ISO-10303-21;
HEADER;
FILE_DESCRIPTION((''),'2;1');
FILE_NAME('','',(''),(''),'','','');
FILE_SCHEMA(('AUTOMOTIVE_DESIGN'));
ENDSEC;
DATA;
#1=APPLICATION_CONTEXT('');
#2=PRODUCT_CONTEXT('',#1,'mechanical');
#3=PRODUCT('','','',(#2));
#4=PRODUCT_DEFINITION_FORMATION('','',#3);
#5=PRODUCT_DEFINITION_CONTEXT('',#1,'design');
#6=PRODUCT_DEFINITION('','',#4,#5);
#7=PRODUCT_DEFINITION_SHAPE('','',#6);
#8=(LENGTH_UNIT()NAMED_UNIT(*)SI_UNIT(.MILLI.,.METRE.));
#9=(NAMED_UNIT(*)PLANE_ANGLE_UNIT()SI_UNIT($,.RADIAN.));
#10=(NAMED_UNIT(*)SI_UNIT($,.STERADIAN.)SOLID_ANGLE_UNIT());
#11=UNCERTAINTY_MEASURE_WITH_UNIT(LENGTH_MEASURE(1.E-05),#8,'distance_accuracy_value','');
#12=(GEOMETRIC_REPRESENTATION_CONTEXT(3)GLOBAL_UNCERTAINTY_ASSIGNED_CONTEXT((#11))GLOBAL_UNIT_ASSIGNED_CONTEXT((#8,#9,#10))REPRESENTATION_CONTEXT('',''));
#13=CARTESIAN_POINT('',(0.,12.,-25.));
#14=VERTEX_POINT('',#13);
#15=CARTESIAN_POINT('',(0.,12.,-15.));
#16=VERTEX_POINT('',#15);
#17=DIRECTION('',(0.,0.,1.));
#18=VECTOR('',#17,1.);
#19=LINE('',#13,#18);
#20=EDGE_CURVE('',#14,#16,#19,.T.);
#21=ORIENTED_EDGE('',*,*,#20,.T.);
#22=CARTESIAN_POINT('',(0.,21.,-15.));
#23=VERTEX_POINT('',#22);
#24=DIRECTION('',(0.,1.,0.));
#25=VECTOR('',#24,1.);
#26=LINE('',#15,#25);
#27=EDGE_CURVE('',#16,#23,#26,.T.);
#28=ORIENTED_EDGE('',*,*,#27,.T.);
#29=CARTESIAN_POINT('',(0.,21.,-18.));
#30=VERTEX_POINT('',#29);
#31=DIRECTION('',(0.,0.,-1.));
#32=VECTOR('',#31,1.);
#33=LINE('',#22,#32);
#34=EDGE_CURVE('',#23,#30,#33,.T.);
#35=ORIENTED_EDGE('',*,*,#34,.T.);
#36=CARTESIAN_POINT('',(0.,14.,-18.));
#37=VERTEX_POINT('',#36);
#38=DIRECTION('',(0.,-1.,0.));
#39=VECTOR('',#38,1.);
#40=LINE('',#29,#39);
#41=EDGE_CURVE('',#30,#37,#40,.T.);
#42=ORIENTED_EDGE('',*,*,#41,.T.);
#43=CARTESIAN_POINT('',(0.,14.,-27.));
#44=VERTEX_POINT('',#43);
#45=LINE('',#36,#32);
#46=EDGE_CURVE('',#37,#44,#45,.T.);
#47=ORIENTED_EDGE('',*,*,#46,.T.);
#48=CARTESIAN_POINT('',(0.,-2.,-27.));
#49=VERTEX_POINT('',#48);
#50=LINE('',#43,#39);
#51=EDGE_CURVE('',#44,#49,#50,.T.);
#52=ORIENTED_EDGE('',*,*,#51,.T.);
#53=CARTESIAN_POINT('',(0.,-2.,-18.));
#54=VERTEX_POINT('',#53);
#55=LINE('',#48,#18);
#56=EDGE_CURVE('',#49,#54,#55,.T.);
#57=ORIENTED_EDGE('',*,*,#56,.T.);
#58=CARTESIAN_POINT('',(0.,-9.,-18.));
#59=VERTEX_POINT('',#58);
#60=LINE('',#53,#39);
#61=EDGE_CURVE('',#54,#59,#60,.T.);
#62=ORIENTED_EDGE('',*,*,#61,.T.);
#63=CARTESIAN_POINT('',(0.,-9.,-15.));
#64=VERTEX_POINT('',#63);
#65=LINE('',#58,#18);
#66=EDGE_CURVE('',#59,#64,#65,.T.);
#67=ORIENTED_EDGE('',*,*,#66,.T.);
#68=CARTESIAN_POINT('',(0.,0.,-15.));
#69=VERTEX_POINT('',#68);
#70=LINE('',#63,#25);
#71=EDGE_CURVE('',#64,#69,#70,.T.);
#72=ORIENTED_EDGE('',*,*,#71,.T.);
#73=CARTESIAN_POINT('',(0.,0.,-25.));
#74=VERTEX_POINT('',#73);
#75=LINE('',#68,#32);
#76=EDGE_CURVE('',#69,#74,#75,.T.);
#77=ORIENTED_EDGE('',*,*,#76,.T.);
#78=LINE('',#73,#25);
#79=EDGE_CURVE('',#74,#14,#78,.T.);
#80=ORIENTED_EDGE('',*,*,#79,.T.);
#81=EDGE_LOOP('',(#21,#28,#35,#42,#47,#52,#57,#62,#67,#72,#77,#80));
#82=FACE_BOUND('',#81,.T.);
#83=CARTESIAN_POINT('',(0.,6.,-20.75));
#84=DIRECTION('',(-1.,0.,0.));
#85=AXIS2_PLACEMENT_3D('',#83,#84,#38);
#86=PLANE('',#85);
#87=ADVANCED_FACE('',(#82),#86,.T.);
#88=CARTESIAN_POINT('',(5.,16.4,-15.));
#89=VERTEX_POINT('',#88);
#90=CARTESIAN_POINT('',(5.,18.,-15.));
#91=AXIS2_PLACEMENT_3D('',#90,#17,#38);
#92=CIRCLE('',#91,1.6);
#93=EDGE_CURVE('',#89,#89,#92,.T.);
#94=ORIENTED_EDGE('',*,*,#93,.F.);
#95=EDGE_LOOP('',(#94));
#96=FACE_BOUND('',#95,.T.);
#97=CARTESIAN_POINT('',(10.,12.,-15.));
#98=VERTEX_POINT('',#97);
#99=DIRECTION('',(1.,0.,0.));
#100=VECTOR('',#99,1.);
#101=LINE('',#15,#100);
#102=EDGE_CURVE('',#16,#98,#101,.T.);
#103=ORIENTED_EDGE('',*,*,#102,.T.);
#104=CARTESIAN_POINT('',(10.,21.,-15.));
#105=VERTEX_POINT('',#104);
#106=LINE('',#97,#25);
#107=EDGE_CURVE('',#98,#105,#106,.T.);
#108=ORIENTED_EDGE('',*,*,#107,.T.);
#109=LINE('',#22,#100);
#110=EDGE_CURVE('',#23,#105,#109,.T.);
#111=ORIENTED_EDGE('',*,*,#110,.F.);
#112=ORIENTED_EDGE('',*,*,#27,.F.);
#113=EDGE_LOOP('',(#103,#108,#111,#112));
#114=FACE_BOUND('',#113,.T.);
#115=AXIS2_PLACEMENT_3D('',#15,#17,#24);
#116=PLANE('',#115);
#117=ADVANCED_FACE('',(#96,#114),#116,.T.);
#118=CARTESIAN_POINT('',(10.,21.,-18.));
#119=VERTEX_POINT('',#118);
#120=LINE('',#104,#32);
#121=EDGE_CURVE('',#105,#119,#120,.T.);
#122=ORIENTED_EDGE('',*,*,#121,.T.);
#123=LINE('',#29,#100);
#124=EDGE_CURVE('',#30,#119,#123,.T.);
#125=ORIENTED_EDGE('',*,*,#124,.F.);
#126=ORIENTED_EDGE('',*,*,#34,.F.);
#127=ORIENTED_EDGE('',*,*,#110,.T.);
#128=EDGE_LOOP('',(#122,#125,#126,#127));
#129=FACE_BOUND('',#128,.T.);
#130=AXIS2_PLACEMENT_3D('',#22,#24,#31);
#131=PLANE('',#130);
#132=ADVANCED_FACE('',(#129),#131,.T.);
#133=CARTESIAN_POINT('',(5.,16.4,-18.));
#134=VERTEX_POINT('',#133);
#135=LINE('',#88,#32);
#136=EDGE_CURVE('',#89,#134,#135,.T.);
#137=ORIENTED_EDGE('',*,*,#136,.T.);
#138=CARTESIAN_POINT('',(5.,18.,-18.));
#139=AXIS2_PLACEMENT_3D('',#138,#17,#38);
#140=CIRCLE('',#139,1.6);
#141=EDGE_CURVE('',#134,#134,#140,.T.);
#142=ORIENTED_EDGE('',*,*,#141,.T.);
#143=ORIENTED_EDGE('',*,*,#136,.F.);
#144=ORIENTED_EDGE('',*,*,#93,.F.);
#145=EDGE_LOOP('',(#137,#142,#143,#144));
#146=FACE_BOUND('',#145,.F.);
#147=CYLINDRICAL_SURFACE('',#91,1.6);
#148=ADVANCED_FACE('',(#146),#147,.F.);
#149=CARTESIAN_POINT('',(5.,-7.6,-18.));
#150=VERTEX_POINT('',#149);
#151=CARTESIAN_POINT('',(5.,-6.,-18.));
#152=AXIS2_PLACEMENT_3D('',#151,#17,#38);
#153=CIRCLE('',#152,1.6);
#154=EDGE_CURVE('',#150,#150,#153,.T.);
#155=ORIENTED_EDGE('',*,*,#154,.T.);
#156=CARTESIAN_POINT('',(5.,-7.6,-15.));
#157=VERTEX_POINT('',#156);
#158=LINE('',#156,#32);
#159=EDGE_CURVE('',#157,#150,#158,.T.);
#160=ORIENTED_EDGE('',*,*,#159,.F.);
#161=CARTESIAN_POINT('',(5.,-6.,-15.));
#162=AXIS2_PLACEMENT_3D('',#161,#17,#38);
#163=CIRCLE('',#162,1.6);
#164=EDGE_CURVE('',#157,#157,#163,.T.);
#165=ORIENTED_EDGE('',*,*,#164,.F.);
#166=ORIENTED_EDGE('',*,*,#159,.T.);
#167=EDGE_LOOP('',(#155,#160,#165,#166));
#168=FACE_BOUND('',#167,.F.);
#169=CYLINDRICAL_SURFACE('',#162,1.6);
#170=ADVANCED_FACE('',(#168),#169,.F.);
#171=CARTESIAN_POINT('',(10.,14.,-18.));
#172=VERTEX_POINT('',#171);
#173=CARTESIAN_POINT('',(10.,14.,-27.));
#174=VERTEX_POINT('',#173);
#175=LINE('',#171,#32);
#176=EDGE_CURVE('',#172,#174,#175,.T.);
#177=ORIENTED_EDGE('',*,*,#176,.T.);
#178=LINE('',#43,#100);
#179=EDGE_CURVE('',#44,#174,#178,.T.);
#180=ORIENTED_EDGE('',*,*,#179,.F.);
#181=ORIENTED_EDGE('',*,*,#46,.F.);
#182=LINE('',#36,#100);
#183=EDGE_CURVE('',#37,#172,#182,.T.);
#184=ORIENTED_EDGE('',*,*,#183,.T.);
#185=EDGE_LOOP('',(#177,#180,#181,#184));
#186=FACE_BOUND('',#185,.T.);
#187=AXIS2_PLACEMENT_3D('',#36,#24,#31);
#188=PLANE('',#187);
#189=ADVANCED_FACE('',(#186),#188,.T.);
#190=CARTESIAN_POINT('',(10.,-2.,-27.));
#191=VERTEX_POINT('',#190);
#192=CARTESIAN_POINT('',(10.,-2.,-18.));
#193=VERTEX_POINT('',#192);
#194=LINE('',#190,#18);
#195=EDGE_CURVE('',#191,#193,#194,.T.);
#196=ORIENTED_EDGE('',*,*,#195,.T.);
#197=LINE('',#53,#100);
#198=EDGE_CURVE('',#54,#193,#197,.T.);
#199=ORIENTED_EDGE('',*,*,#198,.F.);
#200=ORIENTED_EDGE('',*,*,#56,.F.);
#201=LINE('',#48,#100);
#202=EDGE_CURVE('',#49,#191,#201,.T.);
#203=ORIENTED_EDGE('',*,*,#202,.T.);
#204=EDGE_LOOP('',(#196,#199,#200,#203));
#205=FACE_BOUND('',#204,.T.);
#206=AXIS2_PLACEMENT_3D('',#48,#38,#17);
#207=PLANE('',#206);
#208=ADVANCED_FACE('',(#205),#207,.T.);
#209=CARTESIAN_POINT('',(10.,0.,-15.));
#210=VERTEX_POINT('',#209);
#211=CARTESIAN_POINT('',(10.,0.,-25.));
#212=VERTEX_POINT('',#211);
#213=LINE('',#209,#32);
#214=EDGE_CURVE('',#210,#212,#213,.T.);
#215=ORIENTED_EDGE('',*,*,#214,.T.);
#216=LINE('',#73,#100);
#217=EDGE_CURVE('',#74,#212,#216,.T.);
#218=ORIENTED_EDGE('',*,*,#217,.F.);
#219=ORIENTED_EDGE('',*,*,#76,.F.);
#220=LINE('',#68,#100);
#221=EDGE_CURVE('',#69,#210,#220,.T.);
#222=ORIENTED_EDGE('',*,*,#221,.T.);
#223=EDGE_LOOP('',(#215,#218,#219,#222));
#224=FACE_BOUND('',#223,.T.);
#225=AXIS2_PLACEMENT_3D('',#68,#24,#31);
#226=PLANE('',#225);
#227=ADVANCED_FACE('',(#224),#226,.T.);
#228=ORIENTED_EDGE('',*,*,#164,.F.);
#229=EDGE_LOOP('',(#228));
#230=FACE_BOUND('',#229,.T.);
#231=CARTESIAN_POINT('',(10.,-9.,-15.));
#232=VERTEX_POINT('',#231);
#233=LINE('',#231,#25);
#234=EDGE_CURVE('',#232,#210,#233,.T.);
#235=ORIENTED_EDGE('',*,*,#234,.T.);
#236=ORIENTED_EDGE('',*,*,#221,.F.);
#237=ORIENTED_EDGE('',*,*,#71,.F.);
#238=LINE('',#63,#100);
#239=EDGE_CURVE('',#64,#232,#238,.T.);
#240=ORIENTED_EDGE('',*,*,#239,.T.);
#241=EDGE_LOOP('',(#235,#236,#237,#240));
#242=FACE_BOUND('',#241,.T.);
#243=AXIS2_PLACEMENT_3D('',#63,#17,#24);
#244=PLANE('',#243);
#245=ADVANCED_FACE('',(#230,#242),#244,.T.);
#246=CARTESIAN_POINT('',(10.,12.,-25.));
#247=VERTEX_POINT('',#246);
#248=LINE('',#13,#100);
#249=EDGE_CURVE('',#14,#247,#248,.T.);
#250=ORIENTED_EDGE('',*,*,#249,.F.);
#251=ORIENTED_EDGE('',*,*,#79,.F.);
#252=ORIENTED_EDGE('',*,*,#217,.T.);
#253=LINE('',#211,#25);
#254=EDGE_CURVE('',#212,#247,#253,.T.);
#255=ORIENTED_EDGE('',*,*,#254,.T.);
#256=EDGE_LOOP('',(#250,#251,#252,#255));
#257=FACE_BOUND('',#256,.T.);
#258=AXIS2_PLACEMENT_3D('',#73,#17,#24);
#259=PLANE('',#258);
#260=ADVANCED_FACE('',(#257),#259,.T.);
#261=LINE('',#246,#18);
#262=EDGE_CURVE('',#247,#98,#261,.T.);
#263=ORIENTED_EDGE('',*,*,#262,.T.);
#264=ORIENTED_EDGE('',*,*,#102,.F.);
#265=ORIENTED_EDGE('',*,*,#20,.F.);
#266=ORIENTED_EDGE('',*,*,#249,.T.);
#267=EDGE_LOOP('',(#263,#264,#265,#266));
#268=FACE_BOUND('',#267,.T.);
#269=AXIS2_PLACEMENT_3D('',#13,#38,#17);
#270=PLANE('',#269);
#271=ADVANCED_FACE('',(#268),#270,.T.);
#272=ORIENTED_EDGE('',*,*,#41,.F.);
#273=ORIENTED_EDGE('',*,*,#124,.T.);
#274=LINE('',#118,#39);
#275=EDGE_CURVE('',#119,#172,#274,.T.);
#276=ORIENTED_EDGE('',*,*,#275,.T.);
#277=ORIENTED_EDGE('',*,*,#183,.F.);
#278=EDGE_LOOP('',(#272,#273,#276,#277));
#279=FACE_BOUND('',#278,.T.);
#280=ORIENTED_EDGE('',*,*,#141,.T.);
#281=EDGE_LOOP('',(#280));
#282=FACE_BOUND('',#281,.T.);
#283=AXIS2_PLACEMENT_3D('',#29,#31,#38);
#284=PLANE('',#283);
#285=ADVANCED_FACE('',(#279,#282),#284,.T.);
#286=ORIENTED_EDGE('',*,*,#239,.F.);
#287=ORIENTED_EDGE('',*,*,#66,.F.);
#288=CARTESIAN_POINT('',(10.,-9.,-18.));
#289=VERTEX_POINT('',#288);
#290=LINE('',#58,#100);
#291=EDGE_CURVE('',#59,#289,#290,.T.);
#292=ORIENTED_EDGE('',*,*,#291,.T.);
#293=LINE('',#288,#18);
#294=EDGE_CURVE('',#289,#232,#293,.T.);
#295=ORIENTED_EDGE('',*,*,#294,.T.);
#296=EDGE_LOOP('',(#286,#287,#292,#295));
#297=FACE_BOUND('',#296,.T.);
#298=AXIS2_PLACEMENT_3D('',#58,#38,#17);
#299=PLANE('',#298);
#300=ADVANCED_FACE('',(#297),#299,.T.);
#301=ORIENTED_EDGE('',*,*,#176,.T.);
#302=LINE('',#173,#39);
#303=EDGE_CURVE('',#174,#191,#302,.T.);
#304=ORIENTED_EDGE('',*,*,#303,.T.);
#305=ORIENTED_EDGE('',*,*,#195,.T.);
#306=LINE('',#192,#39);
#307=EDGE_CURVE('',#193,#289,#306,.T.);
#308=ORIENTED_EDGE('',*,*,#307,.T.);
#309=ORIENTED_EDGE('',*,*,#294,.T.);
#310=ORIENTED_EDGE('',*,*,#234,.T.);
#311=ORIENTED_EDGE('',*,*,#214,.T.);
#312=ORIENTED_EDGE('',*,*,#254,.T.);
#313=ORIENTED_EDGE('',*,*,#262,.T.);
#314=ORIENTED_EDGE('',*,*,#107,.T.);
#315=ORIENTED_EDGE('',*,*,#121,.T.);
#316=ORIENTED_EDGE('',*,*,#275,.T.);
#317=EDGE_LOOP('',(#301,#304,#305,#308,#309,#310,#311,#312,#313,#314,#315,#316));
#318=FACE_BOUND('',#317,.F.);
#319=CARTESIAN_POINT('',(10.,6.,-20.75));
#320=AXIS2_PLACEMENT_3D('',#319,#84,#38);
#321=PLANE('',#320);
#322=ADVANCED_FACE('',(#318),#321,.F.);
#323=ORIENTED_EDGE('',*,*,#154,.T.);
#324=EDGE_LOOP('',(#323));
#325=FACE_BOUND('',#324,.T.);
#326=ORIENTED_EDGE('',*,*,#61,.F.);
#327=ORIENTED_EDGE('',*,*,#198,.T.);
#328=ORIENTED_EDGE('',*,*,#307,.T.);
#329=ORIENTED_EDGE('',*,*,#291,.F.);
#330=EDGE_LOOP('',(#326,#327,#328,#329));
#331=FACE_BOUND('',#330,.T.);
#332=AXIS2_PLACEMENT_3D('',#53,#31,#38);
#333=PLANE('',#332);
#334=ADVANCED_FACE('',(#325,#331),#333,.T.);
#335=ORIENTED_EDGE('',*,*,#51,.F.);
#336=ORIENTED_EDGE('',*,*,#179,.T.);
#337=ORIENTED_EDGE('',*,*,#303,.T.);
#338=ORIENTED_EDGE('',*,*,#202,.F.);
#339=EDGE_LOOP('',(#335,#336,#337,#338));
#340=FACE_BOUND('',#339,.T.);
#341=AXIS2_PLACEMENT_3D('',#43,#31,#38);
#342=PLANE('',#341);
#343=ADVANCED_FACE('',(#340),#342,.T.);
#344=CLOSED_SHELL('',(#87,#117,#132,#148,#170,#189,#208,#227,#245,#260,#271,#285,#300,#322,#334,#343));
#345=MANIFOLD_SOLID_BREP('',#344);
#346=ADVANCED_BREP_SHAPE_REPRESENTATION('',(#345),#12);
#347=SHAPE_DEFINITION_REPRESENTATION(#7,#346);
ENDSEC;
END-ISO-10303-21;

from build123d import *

# Parameters (mm, degrees)
PAD_DEPTH    = 10
SKETCH001_R  = 1.6
POCKET_DEPTH = 3


with BuildPart() as part:
    # Sketch → Pad (new body)
    with BuildSketch(Plane.YZ):
        Polygon((-9, -15), (0, -15), (0, -25), (12, -25), (12, -15), (21, -15), (21, -18), (14, -18), (14, -27), (-2, -27), (-2, -18), (-9, -18), align=None)
    extrude(amount=PAD_DEPTH)

    # Sketch001 (on Face1 of Pad) → Pocket (cut)
    with BuildSketch(Plane(origin=(0, 0, -15), x_dir=(0, -1, 0), z_dir=(0, 0, 1))):
        with Locations((6, 5)):
            Circle(SKETCH001_R)
        with Locations((-18, 5)):
            Circle(SKETCH001_R)
    extrude(amount=-POCKET_DEPTH, mode=Mode.SUBTRACT)


solid = part.part
